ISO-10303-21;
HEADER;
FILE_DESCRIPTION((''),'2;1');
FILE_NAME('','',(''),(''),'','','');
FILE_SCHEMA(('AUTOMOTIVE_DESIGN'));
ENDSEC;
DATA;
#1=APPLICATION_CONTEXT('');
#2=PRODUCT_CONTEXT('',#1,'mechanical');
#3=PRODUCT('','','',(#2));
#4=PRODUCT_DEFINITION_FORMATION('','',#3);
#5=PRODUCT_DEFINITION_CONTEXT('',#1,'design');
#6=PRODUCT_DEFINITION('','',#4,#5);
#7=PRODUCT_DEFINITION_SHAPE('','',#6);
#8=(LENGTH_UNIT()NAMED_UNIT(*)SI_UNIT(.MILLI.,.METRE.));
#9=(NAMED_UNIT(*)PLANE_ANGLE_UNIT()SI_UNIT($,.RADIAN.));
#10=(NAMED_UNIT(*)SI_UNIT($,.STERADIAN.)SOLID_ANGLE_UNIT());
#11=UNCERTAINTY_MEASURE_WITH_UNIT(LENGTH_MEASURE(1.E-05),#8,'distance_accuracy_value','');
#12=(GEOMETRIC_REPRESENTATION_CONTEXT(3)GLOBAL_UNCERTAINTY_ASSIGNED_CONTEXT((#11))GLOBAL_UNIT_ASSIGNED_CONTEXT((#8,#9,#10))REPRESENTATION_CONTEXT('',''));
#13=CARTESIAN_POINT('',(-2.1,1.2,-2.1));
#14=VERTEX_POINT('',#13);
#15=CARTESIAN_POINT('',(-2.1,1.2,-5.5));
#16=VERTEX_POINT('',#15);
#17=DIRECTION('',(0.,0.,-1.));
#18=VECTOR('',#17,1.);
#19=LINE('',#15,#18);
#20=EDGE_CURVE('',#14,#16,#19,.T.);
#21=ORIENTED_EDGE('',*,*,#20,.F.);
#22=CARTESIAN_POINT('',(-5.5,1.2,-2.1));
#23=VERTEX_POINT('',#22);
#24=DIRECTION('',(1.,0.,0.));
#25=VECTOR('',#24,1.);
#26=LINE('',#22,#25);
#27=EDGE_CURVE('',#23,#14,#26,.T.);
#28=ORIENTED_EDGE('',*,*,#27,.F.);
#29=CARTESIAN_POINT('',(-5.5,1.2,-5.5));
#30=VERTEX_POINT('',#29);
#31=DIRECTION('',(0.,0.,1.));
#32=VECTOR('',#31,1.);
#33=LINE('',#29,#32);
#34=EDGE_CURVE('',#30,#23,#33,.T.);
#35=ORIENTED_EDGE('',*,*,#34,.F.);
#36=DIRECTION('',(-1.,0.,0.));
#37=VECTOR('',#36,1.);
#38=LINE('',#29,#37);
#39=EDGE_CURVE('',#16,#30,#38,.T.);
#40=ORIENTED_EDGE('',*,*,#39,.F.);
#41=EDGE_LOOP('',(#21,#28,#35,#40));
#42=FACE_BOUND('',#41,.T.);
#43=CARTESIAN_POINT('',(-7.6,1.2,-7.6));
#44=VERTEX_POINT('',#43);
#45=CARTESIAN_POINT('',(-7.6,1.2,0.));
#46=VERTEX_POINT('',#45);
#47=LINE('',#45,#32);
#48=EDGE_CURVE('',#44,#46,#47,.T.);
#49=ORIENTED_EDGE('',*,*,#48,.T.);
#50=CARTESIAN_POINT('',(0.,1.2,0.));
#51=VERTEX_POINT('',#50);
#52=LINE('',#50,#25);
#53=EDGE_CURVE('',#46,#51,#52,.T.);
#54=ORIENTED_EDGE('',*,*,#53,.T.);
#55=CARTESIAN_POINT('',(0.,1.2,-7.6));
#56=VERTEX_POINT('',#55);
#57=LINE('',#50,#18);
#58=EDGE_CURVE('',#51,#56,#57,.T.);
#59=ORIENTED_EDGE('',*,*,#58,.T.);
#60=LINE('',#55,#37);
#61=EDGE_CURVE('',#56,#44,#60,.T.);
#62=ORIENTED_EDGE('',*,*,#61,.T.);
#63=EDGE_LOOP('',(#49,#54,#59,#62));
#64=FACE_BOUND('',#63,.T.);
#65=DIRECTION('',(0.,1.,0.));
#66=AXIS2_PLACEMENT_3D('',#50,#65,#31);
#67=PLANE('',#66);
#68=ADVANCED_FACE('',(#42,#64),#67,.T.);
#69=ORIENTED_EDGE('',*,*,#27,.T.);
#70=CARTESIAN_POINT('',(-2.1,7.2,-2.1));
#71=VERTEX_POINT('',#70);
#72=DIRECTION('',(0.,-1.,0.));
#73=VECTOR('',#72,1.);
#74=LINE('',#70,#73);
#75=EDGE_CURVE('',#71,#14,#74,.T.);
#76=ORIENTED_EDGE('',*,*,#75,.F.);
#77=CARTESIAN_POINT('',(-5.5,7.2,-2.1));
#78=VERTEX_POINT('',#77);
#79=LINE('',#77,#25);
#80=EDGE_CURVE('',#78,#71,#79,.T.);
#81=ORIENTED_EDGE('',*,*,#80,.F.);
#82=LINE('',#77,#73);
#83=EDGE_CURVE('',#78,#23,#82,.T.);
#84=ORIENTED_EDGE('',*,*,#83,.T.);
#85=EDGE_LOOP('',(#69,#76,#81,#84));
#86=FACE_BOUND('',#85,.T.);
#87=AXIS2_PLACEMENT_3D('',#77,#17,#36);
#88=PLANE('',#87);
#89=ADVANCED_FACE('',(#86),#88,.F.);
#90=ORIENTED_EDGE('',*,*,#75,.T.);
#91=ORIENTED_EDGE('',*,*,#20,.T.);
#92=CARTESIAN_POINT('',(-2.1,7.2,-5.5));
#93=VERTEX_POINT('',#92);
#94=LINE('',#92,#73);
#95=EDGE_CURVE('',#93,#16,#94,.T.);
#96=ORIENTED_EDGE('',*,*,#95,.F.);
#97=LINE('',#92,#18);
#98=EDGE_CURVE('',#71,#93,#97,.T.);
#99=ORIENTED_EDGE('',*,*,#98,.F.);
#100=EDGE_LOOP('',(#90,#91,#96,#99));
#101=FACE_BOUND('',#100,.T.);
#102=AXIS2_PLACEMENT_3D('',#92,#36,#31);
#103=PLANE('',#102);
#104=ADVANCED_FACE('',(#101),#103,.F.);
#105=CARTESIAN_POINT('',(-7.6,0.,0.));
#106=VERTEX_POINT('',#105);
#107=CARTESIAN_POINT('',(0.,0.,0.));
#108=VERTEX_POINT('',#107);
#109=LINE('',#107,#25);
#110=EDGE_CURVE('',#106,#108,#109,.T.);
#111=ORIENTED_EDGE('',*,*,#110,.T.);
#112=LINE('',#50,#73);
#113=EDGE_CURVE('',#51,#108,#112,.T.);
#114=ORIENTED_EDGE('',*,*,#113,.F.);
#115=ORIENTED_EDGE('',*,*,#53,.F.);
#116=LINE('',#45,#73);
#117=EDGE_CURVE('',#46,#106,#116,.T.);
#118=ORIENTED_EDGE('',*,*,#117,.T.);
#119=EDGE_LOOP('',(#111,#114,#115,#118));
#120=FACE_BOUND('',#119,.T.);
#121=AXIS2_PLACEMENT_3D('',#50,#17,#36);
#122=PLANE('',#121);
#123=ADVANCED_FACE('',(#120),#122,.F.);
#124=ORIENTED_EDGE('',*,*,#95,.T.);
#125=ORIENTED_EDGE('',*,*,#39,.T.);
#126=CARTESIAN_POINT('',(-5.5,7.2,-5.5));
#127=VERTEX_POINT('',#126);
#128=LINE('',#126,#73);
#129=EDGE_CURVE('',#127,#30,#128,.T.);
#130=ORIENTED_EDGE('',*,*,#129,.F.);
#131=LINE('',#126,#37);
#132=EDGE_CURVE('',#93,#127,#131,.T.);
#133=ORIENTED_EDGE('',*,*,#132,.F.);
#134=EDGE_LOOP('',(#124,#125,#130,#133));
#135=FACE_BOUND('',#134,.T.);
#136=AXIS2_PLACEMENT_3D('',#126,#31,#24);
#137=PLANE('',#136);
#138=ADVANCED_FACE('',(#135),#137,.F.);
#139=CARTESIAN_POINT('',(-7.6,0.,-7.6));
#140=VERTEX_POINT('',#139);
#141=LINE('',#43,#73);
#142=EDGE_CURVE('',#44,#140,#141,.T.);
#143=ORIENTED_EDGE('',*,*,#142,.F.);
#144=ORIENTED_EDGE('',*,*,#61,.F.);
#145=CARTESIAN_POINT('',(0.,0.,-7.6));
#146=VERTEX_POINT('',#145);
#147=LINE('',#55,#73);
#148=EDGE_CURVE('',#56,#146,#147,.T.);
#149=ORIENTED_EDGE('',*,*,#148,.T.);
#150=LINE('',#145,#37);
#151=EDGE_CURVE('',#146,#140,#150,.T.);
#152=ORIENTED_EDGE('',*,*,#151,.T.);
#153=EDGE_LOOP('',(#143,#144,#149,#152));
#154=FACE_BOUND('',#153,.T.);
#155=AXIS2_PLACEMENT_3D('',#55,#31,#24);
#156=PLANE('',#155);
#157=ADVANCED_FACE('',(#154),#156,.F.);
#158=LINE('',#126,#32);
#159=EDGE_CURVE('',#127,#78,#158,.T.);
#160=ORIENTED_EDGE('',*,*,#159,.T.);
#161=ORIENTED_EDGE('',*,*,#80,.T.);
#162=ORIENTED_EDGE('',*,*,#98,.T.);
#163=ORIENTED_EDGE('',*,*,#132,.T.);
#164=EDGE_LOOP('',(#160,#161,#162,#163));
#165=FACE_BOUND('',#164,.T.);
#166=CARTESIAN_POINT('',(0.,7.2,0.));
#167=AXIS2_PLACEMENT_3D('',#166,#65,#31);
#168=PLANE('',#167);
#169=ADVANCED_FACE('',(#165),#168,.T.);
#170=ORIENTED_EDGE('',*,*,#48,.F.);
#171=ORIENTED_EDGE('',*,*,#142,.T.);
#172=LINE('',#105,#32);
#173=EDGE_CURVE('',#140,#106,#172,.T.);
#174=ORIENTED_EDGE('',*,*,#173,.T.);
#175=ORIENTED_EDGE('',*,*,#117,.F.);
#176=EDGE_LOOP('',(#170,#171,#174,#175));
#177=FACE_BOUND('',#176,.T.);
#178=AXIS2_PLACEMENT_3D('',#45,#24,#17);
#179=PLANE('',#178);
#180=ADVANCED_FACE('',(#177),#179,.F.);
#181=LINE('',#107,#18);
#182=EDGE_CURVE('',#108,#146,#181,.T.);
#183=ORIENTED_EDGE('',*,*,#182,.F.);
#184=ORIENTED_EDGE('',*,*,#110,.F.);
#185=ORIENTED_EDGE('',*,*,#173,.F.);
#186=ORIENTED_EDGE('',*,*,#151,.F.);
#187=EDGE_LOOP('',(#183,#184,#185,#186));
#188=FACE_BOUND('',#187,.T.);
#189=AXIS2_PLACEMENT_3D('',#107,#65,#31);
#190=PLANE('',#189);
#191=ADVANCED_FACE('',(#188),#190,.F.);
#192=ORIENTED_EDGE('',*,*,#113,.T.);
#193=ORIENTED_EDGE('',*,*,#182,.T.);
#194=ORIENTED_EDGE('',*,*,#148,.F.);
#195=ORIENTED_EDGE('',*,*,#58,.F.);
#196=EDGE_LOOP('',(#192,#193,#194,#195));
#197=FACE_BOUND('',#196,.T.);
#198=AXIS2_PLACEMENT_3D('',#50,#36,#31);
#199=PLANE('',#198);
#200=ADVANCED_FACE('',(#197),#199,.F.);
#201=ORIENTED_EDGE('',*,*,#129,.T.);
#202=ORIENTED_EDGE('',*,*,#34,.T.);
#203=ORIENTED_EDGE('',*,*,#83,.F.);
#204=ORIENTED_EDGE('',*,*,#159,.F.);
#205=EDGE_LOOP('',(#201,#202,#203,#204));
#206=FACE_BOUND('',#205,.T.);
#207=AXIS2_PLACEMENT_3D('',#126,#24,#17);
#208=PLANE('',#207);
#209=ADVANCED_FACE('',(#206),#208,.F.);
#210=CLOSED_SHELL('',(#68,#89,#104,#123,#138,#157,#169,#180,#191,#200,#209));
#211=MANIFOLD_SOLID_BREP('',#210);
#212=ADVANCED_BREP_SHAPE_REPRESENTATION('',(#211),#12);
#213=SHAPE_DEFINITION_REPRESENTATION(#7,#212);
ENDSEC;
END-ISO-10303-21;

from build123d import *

# Parameters (mm, degrees)
SKETCH_1_W      = 7.6
SKETCH_1_H      = 7.6
EXTRUDE_1_DEPTH = 1.2
SKETCH_2_W      = 3.4
SKETCH_2_H      = 3.4
EXTRUDE_2_DEPTH = 6


with BuildPart() as part:
    # 草图1 → 凸台-拉伸1 (new body)
    with BuildSketch(Plane(origin=(0, 0, 0), x_dir=(1, 0, 0), z_dir=(0, 1, 0))):
        with Locations((-3.8, 3.8)):
            Rectangle(SKETCH_1_W, SKETCH_1_H)
    extrude(amount=EXTRUDE_1_DEPTH)

    # 草图2 → 凸台-拉伸2 (add)
    with BuildSketch(Plane(origin=(0, 1.2, 0), x_dir=(1, 0, 0), z_dir=(0, 1, 0))):
        with Locations((-3.8, 3.8)):
            Rectangle(SKETCH_2_W, SKETCH_2_H)
    extrude(amount=EXTRUDE_2_DEPTH)


solid = part.part
